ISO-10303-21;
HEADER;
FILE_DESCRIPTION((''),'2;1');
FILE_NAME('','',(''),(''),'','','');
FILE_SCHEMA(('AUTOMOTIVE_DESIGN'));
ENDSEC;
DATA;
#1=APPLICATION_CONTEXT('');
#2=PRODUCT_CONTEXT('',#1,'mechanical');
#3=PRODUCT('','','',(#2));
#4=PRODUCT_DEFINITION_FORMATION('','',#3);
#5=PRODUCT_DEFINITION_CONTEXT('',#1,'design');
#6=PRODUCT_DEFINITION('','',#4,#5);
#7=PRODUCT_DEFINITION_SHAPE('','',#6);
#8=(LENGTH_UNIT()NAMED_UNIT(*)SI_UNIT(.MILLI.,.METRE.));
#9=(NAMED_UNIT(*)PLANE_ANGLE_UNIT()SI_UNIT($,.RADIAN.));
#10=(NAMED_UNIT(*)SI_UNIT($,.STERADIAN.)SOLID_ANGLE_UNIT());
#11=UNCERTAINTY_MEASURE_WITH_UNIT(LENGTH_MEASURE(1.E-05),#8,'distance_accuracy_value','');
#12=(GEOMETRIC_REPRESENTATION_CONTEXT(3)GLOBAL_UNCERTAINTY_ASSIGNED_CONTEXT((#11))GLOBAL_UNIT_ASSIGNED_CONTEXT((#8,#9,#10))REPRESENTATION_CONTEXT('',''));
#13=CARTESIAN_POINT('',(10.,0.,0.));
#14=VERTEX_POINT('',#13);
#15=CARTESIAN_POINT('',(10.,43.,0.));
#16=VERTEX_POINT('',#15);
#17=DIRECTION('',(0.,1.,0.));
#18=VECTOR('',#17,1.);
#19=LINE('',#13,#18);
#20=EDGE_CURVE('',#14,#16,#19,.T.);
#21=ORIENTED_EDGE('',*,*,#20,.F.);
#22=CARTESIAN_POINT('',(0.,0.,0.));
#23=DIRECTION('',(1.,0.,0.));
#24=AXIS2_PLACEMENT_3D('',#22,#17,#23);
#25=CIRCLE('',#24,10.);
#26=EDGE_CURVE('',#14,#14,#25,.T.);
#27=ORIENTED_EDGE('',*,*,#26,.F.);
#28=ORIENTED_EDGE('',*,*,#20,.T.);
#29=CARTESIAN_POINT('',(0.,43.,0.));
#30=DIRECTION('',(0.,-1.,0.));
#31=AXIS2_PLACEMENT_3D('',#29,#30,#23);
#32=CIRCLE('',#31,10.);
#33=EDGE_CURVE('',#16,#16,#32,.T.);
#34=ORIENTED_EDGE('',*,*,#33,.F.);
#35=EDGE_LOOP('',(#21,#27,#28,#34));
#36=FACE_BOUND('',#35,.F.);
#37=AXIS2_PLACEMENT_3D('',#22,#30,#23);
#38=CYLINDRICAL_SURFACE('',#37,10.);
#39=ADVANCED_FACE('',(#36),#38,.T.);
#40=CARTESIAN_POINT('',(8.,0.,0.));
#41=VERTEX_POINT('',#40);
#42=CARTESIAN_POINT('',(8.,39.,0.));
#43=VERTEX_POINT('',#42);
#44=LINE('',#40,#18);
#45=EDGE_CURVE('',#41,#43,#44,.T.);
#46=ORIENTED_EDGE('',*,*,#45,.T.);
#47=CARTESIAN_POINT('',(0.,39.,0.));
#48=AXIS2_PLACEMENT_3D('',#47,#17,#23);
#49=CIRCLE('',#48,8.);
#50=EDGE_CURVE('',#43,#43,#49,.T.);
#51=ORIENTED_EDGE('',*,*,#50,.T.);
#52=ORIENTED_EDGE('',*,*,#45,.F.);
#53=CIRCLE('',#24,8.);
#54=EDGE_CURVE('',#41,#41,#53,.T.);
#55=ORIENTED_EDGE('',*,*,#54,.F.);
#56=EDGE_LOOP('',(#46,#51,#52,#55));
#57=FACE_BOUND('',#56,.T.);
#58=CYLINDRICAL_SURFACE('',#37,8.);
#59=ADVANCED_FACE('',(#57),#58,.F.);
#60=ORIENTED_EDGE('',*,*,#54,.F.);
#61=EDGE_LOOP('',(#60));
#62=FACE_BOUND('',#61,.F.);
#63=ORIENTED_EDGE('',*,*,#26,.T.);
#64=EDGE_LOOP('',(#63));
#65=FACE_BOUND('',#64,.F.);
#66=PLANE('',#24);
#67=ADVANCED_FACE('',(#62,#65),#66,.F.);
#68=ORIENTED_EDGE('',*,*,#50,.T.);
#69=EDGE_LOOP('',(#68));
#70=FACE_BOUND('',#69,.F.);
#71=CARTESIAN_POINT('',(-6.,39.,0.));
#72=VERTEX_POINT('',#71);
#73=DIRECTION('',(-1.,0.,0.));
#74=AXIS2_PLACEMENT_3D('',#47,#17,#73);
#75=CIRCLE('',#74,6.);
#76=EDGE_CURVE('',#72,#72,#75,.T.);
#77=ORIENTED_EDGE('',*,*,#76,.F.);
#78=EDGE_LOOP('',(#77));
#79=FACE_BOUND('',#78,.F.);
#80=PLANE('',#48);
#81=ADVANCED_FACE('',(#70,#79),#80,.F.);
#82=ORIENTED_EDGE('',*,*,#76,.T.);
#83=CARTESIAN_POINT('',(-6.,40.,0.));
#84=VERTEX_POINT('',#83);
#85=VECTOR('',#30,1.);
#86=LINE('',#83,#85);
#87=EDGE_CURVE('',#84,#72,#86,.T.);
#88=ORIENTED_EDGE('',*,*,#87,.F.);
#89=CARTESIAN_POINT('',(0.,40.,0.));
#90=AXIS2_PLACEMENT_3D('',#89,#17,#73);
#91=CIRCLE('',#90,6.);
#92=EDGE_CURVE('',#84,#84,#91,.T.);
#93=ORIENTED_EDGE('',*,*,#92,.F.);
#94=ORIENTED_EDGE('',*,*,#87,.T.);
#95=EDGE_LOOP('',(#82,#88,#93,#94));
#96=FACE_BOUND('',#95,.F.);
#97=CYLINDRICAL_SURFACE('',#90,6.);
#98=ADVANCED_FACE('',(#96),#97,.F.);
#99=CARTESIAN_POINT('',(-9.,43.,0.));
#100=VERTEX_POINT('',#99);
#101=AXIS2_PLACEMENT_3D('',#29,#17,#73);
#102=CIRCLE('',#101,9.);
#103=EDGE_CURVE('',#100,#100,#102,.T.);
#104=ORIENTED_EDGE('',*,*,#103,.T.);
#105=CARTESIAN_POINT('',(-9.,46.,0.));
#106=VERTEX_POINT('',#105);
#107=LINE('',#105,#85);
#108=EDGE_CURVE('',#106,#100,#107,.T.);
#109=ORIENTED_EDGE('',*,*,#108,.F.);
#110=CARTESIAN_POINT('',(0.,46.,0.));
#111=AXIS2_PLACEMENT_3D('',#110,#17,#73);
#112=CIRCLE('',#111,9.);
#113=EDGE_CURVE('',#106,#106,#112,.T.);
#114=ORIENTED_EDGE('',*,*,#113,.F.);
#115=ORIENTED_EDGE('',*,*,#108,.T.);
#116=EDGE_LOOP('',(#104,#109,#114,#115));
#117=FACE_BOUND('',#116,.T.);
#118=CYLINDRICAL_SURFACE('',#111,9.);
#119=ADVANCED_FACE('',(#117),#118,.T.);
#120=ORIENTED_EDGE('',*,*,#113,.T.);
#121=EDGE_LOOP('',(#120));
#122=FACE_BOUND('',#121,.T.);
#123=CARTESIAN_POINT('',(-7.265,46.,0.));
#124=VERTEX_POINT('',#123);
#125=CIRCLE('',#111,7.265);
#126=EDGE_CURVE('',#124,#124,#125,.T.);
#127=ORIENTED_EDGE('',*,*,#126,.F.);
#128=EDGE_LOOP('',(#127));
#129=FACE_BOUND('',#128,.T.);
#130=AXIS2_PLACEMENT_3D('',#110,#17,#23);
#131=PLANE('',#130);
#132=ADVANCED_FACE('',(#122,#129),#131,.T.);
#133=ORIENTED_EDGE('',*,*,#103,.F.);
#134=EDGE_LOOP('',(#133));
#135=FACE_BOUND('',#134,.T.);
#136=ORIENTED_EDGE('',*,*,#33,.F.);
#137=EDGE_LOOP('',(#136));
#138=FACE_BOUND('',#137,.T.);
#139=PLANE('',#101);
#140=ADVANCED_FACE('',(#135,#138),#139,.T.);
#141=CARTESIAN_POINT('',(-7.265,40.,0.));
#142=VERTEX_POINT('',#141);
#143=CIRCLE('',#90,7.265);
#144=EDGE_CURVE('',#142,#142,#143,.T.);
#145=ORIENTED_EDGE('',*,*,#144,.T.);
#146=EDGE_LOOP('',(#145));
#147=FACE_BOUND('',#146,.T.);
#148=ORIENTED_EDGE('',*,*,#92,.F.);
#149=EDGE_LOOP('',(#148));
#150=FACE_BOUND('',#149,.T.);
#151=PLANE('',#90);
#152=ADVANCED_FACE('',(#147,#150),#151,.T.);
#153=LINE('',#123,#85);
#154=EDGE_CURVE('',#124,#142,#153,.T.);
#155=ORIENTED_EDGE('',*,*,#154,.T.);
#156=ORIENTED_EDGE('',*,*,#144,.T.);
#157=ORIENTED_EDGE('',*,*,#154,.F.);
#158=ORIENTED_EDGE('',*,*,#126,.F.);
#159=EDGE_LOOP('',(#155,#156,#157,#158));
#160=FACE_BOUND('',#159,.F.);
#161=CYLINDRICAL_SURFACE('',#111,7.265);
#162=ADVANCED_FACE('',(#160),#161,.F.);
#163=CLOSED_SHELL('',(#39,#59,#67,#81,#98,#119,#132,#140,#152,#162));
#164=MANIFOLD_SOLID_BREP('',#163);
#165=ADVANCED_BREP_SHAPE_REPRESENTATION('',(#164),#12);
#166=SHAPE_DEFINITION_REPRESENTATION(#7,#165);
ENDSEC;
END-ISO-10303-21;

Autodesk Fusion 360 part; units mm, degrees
sketch "Sketch1" plane through (0, 0, 0) normal (0, 1, 0) x (1, 0, 0)
  circle A0 centre (0, 0) radius 10
  dimension "d1" = 20
extrude "Extrude1" add sketch "Sketch1" along normal blind 46
sketch "Sketch2" plane through (0, 0, 0) normal (0, 1, 0) x (1, 0, 0)
  circle A0 centre (0, 0) radius 8
  dimension "d4" = 16
extrude "Extrude2" cut sketch "Sketch2" along normal blind 39
sketch "Sketch3" plane through (0, 46, 0) normal (0, 1, 0) x (-1, 0, 0)
  circle A0 centre (0, 0) radius 10
  circle A1 centre (0, 0) radius 9
  dimension "d7" = 18
extrude "Extrude3" cut sketch "Sketch3" against normal blind 3
sketch "Sketch4" plane through (0, 46, 0) normal (0, 1, 0) x (-1, 0, 0)
  circle A0 centre (0, 0) radius 9
  circle A1 centre (0, 0) radius 7.265
  dimension "d10" = 14.53
extrude "Extrude4" cut sketch "Sketch4" against normal blind 6 contours A1
sketch "Sketch5" plane through (0, 40, 0) normal (0, 1, 0) x (-1, 0, 0)
  circle A0 centre (0, 0) radius 7.265
  circle A1 centre (0, 0) radius 6
  dimension "d13" = 12
extrude "Extrude5" cut sketch "Sketch5" against normal blind 10 contours A1
